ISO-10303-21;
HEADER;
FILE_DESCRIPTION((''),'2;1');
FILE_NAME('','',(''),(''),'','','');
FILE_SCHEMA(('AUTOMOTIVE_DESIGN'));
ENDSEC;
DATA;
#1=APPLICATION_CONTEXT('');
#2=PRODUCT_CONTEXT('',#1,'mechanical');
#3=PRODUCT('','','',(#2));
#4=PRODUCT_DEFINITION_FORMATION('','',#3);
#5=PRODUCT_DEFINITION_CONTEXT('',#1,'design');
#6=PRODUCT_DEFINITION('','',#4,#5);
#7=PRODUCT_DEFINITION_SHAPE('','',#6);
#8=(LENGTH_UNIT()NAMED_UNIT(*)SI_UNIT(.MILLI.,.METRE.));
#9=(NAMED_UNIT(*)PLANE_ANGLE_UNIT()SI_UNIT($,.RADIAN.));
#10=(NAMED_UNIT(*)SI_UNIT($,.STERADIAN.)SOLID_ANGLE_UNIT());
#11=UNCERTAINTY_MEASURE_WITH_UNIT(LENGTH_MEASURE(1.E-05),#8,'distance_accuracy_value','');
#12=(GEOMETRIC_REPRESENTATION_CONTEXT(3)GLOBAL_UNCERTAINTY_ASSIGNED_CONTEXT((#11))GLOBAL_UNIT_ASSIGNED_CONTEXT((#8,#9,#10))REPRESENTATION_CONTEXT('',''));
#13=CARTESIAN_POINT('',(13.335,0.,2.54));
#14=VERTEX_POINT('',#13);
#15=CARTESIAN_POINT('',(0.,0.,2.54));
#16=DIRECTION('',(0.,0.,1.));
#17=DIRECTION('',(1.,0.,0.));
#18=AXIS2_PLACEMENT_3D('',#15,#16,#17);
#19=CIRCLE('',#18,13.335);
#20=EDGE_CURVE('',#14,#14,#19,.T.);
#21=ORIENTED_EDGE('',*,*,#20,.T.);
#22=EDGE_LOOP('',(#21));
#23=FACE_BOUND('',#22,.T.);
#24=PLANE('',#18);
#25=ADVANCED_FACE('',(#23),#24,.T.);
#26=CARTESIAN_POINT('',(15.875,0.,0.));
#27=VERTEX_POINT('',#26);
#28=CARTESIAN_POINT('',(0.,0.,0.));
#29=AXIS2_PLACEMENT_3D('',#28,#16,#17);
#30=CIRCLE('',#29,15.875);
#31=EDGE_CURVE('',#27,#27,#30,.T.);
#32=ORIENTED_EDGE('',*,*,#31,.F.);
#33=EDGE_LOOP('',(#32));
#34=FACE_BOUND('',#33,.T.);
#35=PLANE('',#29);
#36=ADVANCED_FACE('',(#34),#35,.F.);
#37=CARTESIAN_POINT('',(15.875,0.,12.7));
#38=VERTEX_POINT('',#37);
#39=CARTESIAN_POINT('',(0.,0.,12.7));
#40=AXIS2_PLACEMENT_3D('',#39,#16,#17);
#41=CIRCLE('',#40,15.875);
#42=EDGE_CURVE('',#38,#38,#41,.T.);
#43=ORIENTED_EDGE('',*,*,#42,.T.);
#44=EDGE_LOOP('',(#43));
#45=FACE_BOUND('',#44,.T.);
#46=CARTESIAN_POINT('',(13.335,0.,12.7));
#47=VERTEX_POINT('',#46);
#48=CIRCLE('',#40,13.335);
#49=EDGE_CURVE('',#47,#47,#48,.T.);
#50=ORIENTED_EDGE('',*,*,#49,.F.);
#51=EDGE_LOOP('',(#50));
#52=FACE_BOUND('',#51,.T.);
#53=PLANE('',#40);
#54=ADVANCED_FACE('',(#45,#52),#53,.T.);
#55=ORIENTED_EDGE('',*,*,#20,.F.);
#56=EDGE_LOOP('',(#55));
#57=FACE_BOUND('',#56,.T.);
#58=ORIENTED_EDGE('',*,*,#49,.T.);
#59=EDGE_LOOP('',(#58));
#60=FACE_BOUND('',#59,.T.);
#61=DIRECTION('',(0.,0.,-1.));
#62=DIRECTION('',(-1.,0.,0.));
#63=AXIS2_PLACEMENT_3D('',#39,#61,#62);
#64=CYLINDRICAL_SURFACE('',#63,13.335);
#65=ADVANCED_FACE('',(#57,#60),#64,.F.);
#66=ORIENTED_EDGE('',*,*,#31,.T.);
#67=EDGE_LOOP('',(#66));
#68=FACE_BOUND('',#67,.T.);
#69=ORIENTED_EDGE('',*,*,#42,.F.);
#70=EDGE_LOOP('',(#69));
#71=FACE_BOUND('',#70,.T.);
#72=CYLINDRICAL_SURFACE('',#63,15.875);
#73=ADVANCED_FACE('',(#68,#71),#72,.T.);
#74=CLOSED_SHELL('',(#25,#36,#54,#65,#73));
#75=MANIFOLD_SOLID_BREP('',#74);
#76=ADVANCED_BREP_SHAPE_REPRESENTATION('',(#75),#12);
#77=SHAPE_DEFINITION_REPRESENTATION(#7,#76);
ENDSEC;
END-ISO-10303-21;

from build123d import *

# Parameters (mm, degrees)
SKETCH1_R           = 15.875
BOSS_EXTRUDE1_DEPTH = 12.7
SHELL1_T            = -2.54


with BuildPart() as part:
    # Sketch1 → Boss-Extrude1 (new body)
    with BuildSketch(Plane.XY):
        Circle(SKETCH1_R)
    extrude(amount=BOSS_EXTRUDE1_DEPTH)

    # Shell1
    shell1_openings = [part.faces().sort_by_distance(p)[0] for p in [
        (0, 0, 12.7),
    ]]
    offset(amount=SHELL1_T, openings=shell1_openings, kind=Kind.INTERSECTION)


solid = part.part
